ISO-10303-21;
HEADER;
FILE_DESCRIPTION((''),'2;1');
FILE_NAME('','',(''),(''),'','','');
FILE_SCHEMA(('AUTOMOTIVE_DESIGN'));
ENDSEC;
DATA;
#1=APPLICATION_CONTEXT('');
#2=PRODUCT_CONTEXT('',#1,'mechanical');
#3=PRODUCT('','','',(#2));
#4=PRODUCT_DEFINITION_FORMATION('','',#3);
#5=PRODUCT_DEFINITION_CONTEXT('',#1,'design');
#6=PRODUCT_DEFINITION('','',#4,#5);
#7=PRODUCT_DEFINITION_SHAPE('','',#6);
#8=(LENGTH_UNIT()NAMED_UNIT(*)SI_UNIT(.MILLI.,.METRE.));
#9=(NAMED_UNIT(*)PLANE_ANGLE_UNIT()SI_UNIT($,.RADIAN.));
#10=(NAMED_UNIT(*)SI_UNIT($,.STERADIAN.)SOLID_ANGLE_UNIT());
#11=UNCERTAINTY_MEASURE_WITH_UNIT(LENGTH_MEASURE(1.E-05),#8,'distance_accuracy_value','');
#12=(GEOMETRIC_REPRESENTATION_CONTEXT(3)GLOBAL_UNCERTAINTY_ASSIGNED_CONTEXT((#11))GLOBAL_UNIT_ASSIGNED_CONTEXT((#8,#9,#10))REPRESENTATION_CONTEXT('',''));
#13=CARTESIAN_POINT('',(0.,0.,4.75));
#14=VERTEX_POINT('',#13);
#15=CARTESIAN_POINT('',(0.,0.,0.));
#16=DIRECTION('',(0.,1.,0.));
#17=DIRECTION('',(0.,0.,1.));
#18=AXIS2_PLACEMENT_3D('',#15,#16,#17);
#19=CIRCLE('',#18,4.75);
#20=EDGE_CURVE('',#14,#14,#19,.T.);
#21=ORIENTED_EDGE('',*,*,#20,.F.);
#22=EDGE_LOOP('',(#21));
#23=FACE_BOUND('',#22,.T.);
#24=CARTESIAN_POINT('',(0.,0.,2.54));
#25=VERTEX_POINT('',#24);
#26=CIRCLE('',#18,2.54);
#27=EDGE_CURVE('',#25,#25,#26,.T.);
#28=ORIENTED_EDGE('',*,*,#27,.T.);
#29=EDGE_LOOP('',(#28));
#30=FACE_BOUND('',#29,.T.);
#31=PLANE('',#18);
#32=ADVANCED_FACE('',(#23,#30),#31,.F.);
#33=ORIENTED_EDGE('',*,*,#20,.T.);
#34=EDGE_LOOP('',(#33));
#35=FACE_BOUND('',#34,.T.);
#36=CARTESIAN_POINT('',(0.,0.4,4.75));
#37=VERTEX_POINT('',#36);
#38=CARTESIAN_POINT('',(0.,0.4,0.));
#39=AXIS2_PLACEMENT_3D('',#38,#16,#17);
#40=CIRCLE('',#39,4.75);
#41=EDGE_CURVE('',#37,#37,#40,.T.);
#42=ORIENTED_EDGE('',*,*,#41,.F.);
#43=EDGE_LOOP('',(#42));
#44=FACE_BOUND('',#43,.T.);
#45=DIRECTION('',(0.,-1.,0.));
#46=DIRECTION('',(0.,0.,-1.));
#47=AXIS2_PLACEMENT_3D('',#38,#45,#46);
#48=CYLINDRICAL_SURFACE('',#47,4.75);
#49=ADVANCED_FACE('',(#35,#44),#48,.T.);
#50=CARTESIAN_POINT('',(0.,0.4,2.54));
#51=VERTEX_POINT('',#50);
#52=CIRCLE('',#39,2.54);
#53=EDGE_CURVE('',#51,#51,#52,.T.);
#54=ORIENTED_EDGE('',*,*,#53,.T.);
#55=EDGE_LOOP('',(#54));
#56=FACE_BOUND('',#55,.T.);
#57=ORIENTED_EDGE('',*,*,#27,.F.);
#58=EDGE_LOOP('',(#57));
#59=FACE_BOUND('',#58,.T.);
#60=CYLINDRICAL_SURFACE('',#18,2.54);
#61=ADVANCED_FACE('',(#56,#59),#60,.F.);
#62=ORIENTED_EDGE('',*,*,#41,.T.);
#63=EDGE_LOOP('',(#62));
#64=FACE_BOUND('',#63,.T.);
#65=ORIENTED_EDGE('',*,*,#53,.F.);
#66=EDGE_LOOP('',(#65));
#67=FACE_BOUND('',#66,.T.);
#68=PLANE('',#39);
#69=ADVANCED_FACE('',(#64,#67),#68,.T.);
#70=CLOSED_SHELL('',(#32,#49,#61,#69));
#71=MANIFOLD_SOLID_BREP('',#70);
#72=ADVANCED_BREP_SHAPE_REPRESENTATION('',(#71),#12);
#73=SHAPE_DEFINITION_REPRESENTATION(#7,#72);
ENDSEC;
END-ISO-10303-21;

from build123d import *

# Parameters (mm, degrees)
SKETCH1_R           = 4.75
BOSS_EXTRUDE1_DEPTH = 0.4
SKETCH2_R           = 2.54
CUT_EXTRUDE1_DEPTH  = 0.4


with BuildPart() as part:
    # Sketch1 → Boss-Extrude1 (new body)
    with BuildSketch(Plane(origin=(0, 0, 0), x_dir=(1, 0, 0), z_dir=(0, 1, 0))):
        Circle(SKETCH1_R)
    extrude(amount=BOSS_EXTRUDE1_DEPTH)

    # Sketch2 → Cut-Extrude1 (cut)
    with BuildSketch(Plane(origin=(0, 0.4, 0), x_dir=(1, 0, 0), z_dir=(0, 1, 0))):
        Circle(SKETCH2_R)
    extrude(amount=-CUT_EXTRUDE1_DEPTH, mode=Mode.SUBTRACT)


solid = part.part
